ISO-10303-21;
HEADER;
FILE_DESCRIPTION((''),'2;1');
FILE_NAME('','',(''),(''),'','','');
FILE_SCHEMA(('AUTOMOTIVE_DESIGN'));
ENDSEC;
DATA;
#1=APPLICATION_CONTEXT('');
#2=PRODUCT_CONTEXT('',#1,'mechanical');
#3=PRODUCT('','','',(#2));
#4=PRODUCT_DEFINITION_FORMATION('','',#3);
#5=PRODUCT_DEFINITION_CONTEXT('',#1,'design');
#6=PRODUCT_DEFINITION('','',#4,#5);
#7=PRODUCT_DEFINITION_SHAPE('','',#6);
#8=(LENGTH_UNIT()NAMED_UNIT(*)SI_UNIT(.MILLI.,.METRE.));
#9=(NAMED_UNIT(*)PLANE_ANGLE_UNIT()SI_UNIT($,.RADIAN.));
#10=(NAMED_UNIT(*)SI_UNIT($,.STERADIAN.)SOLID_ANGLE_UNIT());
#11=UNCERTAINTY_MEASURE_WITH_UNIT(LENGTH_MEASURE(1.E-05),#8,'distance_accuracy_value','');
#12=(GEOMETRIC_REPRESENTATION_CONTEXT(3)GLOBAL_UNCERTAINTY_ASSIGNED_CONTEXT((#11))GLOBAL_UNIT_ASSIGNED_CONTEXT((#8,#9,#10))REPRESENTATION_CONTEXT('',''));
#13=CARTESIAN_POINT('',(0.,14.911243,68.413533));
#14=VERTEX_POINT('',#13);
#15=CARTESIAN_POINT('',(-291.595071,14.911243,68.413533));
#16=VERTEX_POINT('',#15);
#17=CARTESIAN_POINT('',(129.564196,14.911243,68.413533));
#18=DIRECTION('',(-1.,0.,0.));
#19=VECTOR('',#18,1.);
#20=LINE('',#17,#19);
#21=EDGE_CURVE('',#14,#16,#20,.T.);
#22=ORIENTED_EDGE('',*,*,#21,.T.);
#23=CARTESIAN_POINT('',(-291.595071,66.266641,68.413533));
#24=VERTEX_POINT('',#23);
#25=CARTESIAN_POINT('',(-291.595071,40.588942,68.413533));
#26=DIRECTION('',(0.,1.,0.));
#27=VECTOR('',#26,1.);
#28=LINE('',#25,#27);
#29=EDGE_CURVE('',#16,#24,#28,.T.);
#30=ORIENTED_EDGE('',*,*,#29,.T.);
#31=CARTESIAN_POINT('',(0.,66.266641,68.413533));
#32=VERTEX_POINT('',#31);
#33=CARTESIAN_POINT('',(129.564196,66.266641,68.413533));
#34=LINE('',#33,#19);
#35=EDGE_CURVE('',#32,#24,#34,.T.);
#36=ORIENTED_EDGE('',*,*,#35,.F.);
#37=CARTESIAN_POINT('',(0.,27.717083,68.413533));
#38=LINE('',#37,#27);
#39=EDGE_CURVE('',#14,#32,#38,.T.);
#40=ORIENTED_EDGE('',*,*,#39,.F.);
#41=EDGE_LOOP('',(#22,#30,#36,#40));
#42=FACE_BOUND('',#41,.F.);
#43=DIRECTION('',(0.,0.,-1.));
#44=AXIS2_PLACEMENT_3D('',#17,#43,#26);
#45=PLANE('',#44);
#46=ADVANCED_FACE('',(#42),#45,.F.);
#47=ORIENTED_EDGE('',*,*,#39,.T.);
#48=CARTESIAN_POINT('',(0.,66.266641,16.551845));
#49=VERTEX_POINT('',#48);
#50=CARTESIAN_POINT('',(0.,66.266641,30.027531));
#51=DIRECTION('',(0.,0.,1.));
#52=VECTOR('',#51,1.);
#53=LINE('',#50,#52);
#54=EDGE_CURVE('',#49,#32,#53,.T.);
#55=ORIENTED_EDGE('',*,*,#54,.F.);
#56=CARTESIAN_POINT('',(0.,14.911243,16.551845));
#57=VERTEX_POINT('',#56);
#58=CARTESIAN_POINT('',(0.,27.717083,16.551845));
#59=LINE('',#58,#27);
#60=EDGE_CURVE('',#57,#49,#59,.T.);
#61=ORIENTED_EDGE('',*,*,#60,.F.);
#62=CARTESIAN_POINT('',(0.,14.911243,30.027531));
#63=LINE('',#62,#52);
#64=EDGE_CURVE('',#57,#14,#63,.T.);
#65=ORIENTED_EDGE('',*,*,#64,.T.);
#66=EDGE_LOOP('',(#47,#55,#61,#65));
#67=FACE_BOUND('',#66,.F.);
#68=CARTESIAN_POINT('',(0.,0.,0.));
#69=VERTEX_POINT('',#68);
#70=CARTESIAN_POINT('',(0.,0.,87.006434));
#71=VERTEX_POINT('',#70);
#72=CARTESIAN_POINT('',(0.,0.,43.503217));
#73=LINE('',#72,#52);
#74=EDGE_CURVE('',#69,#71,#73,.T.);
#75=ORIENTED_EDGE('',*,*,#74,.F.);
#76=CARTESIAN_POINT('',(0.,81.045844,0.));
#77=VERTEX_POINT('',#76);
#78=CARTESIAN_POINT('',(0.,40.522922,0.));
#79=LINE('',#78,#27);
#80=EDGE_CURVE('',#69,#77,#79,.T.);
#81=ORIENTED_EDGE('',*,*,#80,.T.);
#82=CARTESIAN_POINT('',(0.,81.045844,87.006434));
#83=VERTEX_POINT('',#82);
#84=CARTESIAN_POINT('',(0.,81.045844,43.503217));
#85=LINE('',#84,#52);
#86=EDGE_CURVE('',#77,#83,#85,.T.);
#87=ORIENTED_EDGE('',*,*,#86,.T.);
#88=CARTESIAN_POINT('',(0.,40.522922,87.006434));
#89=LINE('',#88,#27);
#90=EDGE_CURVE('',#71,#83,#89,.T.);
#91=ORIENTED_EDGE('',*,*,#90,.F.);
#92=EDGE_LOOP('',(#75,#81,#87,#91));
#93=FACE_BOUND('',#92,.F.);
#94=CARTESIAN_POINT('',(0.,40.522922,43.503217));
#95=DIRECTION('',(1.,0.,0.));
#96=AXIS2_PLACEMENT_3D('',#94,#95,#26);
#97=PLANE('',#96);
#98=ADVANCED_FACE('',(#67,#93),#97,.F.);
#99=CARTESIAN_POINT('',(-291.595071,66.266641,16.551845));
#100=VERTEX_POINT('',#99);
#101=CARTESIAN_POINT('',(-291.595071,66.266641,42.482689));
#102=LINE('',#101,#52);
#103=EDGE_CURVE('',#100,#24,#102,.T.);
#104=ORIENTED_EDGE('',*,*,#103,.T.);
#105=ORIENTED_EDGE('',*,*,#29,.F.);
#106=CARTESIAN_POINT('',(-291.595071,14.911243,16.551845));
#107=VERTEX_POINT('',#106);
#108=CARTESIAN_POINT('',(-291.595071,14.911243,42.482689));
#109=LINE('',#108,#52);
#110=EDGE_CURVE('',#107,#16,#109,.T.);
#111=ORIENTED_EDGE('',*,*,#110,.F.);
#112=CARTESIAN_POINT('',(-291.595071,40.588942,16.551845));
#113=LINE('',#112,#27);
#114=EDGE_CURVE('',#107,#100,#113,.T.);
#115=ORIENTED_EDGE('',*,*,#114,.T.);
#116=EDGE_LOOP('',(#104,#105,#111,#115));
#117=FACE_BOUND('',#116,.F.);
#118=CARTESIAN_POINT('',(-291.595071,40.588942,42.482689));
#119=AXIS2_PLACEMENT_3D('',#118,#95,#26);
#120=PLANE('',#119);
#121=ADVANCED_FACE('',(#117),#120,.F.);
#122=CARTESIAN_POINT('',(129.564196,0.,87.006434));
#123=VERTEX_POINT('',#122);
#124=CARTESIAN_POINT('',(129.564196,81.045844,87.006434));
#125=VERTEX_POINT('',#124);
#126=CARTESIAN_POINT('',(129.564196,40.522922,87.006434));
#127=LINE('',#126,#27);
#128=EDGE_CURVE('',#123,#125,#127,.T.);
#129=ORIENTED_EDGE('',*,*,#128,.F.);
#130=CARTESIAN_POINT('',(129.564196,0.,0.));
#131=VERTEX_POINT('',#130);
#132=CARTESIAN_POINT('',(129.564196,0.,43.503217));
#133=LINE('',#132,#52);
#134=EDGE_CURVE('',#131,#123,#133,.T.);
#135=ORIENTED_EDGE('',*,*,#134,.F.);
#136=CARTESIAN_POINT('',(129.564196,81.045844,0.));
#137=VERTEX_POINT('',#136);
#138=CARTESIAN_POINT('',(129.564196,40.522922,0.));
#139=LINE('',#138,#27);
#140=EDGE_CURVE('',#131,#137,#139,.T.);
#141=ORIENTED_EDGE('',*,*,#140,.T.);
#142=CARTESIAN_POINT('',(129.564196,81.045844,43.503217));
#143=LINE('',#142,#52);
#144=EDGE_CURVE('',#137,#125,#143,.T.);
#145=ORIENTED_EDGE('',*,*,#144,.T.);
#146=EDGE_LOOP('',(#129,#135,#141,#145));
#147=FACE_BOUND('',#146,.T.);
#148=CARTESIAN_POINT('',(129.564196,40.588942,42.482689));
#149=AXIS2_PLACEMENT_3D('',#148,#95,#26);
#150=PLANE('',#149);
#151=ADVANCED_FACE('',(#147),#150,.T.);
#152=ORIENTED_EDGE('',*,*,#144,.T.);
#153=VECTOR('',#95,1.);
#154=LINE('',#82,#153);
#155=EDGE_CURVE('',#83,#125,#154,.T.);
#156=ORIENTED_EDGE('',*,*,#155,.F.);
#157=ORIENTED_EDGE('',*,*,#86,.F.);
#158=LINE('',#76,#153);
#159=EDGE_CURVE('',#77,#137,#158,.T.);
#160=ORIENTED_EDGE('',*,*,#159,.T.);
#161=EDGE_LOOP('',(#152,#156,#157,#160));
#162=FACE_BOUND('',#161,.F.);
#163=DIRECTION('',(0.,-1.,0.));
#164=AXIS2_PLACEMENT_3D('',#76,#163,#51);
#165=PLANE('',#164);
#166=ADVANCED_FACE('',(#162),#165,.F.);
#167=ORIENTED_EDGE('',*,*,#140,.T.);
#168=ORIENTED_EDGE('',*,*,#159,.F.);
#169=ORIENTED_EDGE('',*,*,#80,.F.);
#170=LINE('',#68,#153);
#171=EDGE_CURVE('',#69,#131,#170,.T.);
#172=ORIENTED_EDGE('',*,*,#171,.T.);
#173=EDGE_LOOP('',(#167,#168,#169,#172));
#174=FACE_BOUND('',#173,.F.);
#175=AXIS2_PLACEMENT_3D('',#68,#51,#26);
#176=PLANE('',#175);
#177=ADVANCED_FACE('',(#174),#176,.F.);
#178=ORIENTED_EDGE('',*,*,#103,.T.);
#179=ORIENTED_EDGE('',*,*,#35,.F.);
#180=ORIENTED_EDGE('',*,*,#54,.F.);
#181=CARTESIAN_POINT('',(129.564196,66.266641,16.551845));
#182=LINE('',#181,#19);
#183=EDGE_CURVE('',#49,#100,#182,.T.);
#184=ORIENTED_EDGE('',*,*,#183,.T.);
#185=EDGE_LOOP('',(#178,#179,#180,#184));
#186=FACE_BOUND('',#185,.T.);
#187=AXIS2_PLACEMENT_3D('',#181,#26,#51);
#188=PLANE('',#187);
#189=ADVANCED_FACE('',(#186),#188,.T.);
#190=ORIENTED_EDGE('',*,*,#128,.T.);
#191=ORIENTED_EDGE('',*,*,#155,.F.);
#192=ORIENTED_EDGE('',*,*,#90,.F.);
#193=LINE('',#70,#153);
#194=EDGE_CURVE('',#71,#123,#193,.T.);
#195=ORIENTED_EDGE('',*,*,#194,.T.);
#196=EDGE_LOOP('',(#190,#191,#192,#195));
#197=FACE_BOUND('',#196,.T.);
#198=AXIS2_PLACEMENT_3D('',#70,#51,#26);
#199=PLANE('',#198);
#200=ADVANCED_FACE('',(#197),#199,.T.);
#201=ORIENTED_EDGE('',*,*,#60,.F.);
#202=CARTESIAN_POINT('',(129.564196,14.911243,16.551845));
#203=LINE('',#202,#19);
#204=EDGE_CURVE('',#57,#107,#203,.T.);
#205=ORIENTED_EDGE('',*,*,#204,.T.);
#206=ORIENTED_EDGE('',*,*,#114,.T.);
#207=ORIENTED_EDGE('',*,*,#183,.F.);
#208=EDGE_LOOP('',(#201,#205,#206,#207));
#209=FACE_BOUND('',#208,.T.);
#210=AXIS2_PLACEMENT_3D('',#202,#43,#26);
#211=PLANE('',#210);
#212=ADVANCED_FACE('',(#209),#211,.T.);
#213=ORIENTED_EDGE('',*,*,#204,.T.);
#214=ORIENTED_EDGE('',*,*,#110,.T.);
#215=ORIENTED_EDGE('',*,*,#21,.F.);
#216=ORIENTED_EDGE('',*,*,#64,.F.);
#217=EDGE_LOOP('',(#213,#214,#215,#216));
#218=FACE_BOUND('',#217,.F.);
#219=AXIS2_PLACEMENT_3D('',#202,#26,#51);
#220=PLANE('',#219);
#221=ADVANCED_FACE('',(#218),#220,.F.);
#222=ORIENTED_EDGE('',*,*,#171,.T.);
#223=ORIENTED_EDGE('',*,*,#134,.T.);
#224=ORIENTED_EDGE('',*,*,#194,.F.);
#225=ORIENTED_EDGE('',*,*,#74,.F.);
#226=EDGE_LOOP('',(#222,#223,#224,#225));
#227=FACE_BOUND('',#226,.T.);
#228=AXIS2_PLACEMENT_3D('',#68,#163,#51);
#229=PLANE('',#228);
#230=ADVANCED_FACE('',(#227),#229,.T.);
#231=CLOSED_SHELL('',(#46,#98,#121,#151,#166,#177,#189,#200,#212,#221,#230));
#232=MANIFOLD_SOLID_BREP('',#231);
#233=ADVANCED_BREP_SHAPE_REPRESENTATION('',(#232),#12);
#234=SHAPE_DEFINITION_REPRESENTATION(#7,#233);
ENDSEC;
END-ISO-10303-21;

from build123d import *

# Parameters (mm, degrees)
F0_W     = 81.045844
F0_H     = 87.006435
F1_DEPTH = 129.564196
F2_W     = 51.355398
F2_H     = 51.861688
F3_DEPTH = 421.159267


with BuildPart() as f1:
    # F0 (on Right) → F1 (new body)
    with BuildSketch(Plane.YZ):
        with Locations((40.522922, 43.503217)):
            Rectangle(F0_W, F0_H)
    extrude(amount=F1_DEPTH)

    # F2 (on face) → F3 (join)
    with BuildSketch(Plane.YZ.offset(129.564196)):
        with Locations((40.588942, 42.482689)):
            Rectangle(F2_W, F2_H)
    extrude(amount=-F3_DEPTH)


solid = f1.part
